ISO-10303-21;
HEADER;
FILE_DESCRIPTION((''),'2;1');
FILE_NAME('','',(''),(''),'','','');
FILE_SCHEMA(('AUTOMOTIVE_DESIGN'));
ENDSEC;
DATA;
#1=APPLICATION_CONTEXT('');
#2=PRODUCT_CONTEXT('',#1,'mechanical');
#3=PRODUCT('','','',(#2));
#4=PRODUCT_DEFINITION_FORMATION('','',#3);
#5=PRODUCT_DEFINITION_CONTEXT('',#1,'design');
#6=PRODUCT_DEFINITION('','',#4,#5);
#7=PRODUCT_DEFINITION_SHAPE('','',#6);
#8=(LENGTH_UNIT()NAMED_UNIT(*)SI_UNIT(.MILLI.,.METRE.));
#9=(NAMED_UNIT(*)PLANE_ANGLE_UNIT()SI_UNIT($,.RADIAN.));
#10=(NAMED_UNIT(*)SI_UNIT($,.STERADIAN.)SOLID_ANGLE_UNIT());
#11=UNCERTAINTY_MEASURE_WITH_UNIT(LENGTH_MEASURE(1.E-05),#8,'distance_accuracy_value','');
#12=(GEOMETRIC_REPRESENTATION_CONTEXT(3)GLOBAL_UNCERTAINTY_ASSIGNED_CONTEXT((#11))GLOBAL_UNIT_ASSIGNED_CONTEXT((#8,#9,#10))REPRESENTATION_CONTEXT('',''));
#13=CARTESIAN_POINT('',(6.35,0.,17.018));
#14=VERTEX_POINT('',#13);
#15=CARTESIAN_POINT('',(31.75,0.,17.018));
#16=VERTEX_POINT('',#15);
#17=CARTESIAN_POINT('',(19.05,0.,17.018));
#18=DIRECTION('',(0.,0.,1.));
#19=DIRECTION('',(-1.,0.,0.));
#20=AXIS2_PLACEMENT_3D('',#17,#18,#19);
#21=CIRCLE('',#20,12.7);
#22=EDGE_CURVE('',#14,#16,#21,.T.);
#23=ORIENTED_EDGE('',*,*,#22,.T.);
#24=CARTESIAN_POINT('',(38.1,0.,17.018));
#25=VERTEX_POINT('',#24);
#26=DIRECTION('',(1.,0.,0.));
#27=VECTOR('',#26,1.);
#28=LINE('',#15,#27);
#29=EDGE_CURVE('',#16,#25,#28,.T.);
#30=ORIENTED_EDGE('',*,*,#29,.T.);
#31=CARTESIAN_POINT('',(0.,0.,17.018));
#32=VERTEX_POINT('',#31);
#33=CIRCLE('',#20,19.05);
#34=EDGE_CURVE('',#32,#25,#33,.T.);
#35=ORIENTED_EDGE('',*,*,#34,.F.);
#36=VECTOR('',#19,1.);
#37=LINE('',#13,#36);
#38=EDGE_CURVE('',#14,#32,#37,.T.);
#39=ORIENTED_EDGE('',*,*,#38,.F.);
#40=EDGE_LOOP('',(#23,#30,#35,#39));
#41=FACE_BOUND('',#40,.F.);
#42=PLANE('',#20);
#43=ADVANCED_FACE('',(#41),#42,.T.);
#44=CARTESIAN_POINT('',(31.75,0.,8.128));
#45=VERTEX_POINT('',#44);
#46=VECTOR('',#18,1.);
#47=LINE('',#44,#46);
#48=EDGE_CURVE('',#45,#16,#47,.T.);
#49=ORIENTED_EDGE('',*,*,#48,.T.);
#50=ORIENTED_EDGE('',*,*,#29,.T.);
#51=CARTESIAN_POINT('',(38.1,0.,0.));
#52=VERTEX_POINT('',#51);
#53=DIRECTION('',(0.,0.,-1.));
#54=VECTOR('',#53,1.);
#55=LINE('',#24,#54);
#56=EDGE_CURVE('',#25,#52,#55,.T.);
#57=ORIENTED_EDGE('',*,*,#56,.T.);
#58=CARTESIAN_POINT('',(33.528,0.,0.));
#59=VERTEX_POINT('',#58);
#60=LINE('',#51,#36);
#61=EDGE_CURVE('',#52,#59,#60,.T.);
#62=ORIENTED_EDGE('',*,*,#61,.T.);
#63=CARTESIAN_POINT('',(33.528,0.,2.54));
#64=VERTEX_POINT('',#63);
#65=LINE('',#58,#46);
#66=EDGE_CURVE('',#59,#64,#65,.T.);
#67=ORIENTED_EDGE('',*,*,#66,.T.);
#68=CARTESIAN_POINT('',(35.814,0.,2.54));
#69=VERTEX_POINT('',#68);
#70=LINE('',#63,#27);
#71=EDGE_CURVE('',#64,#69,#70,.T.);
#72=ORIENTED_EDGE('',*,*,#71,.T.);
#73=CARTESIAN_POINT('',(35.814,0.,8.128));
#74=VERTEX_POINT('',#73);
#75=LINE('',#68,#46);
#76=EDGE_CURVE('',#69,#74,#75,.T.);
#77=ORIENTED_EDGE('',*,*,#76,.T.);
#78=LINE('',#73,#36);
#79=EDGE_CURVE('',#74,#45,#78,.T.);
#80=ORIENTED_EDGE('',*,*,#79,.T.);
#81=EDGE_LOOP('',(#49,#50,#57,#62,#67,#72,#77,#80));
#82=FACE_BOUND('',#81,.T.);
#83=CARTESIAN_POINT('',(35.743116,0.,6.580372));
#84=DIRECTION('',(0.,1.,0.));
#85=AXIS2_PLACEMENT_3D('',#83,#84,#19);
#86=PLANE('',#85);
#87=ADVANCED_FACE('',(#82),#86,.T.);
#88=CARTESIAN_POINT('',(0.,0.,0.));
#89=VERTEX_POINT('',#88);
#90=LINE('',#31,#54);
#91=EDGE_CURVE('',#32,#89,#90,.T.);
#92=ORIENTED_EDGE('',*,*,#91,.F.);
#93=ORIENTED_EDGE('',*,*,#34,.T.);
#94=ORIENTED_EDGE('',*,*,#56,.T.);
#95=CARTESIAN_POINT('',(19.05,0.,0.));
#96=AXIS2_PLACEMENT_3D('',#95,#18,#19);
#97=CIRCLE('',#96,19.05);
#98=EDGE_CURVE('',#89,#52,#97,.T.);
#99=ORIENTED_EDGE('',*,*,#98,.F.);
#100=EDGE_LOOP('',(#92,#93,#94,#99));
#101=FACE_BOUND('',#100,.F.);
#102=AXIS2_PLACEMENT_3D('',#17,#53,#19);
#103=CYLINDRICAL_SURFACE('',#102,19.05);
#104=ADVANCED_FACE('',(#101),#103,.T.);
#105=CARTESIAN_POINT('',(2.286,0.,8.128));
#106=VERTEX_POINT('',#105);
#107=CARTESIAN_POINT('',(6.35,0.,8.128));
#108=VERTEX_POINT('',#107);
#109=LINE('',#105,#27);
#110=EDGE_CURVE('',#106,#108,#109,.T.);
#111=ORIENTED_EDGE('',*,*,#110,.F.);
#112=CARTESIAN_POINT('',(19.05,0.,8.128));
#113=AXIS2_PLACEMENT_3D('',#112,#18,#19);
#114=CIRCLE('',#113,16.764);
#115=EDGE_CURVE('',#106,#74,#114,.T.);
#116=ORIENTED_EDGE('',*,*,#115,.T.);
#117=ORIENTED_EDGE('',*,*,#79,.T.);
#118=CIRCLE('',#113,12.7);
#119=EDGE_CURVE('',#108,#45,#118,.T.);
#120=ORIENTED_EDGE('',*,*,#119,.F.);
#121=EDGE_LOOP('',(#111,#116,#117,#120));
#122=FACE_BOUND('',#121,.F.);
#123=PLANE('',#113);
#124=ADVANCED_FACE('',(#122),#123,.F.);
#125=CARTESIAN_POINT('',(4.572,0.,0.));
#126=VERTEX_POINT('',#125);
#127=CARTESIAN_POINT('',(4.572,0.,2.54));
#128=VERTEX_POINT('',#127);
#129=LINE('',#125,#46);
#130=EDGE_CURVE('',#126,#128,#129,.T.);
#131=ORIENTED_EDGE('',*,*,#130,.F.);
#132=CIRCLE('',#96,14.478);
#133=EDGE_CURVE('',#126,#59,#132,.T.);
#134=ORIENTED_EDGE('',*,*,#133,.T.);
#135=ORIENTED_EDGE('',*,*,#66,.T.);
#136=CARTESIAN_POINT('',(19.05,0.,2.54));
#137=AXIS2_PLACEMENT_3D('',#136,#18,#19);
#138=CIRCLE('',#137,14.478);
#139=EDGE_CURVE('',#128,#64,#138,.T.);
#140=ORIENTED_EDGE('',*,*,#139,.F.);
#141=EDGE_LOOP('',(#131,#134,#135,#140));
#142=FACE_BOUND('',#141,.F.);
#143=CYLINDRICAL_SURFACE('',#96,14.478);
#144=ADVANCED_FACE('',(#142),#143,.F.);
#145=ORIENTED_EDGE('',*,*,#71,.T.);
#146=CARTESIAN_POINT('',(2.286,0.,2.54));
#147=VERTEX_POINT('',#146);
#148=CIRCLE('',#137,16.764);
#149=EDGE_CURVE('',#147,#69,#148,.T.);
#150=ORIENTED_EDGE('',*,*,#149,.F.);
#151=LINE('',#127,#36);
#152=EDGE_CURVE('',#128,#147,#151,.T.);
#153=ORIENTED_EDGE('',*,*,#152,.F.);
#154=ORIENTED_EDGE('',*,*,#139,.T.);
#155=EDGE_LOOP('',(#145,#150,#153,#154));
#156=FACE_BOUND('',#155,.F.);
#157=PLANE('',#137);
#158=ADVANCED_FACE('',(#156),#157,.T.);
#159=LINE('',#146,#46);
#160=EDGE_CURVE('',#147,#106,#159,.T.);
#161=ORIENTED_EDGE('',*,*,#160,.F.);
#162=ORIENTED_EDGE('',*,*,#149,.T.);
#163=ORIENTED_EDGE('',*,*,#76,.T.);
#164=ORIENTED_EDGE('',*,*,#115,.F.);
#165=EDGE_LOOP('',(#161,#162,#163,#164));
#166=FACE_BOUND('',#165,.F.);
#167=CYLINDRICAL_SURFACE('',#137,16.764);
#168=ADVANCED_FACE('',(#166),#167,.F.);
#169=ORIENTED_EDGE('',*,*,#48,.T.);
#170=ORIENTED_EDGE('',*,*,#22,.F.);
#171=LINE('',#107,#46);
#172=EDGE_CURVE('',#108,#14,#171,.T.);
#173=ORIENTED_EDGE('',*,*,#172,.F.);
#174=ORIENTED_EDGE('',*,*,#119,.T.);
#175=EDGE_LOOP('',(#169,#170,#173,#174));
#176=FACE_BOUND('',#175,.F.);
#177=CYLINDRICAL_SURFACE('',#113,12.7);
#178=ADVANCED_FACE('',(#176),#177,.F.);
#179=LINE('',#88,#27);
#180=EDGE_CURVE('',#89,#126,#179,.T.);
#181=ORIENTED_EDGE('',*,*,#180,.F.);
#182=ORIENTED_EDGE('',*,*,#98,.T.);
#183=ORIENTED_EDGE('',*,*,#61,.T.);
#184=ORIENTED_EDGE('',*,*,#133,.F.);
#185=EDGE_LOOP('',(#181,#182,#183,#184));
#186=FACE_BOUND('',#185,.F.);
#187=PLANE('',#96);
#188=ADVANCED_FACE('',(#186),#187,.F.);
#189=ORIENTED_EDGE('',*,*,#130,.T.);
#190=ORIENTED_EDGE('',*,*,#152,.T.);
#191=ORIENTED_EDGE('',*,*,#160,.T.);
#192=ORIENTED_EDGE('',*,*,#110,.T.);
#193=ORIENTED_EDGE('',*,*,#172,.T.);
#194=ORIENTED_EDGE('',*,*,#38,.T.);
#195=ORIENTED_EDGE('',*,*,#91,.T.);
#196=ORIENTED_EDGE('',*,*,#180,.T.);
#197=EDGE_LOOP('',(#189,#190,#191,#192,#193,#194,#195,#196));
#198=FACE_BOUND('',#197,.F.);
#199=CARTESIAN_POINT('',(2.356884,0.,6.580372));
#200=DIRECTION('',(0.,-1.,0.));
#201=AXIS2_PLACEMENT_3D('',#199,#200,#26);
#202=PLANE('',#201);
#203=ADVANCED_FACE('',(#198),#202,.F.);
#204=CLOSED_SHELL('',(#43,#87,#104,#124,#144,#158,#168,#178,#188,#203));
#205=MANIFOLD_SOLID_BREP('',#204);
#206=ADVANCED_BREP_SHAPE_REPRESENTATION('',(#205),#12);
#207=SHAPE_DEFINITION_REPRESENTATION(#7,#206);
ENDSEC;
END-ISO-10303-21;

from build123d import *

# Parameters (mm, degrees)
F0_W     = 2.54
F0_H     = 3.81
F0_W_2   = 1.27
F0_H_2   = 1.27
F1_ANGLE = 180


with BuildPart() as f1:
    # F0 (on Front) → F1 (revolve)
    with BuildSketch(Plane.XZ):
        Polygon((0, 0), (4.572, 0), (4.572, 2.54), (2.286, 2.54), (2.286, 8.128), (2.54, 8.128), (6.35, 8.128), (6.35, 10.668), (2.54, 10.668), (2.54, 13.208), (0, 13.208), (0, 10.668), align=None)
        with Locations((1.27, 15.113)):
            Rectangle(F0_W, F0_H)
        Polygon((5.08, 13.208), (2.54, 13.208), (2.54, 10.668), (6.35, 10.668), (6.35, 11.938), (5.08, 11.938), align=None)
        Polygon((2.54, 17.018), (2.54, 13.208), (5.08, 13.208), (6.35, 13.208), (6.35, 17.018), align=None)
        with Locations((5.715, 12.573)):
            Rectangle(F0_W_2, F0_H_2)
    revolve(axis=Axis((19.05, 0, 2.172631), (0, 0, 1)), revolution_arc=F1_ANGLE)


solid = f1.part
